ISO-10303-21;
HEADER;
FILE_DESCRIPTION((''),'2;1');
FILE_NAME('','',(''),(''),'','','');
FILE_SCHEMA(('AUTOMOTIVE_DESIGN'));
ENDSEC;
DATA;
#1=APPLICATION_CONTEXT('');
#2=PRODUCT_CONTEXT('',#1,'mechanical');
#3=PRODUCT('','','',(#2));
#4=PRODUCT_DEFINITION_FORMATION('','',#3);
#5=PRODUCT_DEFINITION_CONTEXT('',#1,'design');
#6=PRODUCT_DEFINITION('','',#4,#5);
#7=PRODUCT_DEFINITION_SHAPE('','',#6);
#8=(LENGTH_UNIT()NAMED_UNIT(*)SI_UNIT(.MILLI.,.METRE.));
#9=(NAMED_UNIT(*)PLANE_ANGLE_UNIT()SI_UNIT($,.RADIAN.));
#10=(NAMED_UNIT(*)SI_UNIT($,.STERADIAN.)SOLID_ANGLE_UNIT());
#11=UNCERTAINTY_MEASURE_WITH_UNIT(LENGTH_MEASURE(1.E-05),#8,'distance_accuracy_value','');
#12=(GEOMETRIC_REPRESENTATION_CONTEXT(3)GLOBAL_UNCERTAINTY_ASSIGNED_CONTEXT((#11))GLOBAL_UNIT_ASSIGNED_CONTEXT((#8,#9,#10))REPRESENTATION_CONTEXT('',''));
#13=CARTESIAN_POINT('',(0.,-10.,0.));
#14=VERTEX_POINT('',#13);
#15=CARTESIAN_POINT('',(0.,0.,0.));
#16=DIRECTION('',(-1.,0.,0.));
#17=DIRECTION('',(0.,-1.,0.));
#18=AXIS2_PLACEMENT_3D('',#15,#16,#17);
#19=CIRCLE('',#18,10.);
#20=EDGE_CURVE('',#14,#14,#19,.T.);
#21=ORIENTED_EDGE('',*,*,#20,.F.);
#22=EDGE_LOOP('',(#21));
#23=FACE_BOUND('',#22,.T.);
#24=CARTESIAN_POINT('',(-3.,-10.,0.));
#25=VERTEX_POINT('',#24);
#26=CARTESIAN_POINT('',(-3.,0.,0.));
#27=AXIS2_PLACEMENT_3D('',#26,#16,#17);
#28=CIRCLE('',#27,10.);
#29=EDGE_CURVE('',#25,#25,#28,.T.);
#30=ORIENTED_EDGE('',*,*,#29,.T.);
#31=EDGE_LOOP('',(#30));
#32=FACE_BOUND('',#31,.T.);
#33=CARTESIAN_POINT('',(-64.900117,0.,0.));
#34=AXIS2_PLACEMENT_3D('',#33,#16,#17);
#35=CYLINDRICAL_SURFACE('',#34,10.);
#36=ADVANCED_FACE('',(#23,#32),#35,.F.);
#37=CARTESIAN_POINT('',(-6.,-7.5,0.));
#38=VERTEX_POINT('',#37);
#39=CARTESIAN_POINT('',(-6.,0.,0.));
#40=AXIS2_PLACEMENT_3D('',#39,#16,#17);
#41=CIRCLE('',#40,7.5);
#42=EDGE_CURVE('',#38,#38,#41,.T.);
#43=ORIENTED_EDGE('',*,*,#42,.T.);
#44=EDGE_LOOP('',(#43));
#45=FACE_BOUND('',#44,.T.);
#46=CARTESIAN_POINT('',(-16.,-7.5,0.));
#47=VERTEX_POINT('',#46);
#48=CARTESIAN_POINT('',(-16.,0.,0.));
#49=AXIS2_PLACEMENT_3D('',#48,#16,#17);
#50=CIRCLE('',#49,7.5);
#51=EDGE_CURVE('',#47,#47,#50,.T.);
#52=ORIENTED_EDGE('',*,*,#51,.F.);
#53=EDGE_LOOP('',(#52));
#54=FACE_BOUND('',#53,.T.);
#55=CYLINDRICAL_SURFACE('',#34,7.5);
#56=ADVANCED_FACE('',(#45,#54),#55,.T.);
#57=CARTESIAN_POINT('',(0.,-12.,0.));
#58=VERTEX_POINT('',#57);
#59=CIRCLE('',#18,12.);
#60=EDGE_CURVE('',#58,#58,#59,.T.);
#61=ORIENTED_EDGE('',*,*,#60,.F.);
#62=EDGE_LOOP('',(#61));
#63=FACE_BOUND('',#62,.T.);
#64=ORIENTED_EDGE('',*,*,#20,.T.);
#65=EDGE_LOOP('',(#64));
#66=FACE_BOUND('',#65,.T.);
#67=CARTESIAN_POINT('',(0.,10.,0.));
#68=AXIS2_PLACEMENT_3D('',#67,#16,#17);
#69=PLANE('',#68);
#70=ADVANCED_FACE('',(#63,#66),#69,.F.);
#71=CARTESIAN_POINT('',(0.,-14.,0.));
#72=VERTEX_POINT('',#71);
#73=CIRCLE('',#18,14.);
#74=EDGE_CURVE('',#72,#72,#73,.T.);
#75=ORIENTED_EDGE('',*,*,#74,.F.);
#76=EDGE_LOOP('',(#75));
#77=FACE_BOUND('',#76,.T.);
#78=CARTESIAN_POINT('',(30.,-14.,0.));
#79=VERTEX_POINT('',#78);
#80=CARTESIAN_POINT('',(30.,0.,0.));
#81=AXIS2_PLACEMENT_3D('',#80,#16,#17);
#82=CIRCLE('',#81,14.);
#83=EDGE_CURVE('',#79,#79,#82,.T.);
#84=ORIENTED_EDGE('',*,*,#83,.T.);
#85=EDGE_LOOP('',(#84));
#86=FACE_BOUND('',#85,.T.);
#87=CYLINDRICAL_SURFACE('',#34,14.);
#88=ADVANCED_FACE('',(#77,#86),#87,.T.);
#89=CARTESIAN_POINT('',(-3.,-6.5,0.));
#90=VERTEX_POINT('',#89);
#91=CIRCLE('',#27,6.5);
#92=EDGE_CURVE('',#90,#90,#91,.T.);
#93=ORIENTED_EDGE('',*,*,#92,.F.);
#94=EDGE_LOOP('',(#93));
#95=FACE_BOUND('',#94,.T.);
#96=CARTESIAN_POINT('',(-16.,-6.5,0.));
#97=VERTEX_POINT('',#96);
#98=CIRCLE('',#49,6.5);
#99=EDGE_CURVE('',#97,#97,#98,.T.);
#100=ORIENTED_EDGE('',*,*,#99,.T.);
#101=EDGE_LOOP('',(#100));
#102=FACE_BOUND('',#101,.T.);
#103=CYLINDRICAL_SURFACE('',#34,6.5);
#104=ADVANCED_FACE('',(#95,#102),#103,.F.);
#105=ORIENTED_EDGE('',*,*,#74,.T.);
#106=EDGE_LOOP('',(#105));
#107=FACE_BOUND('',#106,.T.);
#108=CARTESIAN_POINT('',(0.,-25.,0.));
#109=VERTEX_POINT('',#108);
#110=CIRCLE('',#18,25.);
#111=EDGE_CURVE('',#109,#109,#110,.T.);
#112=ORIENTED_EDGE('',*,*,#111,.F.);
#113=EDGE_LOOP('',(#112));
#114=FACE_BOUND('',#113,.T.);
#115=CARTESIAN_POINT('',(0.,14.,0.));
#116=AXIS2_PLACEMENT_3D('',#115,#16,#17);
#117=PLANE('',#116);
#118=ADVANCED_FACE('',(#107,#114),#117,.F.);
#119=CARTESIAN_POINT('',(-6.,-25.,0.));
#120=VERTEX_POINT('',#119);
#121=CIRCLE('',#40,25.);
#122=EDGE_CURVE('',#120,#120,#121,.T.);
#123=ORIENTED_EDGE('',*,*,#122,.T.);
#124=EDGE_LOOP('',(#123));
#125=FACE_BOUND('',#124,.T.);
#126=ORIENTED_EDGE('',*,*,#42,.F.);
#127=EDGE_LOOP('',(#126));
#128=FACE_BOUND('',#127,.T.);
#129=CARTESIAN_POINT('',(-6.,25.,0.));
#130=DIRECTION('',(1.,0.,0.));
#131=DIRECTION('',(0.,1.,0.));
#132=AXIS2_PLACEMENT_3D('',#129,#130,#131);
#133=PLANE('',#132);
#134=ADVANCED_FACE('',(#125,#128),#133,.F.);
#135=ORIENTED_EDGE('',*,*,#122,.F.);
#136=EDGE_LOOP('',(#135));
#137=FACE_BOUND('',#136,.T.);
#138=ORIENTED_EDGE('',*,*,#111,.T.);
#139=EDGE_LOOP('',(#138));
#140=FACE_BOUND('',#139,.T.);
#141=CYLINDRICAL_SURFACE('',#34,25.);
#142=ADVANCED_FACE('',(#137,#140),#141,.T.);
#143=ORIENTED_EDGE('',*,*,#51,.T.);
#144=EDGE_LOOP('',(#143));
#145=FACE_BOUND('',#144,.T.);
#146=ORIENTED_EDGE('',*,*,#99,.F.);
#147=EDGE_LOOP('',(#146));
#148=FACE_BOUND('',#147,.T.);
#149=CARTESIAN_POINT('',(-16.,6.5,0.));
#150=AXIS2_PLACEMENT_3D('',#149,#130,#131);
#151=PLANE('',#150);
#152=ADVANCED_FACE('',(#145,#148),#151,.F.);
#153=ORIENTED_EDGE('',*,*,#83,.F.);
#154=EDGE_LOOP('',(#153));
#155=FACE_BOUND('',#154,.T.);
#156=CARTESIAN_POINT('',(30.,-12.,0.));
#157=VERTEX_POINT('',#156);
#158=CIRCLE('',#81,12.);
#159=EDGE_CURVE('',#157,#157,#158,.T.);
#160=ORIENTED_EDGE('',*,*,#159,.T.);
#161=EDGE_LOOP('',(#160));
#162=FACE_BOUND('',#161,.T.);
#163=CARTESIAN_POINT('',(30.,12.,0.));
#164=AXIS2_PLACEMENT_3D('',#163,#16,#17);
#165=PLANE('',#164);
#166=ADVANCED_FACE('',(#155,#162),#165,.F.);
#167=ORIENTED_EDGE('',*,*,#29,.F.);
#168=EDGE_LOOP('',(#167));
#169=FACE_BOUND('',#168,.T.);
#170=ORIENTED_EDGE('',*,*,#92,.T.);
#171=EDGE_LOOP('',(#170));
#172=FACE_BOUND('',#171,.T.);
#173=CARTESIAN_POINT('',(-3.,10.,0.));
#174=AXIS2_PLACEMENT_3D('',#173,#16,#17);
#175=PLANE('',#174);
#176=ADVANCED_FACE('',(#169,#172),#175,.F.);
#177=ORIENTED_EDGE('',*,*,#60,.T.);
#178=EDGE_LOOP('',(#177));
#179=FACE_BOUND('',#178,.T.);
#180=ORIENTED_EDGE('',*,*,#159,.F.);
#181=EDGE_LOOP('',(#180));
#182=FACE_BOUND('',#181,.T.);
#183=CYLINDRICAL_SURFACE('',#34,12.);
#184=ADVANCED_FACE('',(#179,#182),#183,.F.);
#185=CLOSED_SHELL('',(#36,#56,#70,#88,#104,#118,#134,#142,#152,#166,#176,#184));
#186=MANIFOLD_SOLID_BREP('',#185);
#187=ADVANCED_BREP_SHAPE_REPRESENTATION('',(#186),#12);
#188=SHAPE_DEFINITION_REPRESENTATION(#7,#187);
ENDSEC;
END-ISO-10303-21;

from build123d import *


with BuildPart() as part:
    # Sketch1 → Revolve1 (revolve)
    with BuildSketch(Plane.XY, mode=Mode.PRIVATE) as revolve1_sk:
        Polygon((-6, 25), (-6, 7.5), (-16, 7.5), (-16, 6.5), (-3, 6.5), (-3, 10), (0, 10), (0, 12), (30, 12), (30, 14), (0, 14), (0, 25), align=None)
    revolve(revolve1_sk.sketch.rotate(Axis((-64.900117457, 0, 0), (1, 0, 0)), 180), axis=Axis((-64.900117457, 0, 0), (1, 0, 0)))


solid = part.part
